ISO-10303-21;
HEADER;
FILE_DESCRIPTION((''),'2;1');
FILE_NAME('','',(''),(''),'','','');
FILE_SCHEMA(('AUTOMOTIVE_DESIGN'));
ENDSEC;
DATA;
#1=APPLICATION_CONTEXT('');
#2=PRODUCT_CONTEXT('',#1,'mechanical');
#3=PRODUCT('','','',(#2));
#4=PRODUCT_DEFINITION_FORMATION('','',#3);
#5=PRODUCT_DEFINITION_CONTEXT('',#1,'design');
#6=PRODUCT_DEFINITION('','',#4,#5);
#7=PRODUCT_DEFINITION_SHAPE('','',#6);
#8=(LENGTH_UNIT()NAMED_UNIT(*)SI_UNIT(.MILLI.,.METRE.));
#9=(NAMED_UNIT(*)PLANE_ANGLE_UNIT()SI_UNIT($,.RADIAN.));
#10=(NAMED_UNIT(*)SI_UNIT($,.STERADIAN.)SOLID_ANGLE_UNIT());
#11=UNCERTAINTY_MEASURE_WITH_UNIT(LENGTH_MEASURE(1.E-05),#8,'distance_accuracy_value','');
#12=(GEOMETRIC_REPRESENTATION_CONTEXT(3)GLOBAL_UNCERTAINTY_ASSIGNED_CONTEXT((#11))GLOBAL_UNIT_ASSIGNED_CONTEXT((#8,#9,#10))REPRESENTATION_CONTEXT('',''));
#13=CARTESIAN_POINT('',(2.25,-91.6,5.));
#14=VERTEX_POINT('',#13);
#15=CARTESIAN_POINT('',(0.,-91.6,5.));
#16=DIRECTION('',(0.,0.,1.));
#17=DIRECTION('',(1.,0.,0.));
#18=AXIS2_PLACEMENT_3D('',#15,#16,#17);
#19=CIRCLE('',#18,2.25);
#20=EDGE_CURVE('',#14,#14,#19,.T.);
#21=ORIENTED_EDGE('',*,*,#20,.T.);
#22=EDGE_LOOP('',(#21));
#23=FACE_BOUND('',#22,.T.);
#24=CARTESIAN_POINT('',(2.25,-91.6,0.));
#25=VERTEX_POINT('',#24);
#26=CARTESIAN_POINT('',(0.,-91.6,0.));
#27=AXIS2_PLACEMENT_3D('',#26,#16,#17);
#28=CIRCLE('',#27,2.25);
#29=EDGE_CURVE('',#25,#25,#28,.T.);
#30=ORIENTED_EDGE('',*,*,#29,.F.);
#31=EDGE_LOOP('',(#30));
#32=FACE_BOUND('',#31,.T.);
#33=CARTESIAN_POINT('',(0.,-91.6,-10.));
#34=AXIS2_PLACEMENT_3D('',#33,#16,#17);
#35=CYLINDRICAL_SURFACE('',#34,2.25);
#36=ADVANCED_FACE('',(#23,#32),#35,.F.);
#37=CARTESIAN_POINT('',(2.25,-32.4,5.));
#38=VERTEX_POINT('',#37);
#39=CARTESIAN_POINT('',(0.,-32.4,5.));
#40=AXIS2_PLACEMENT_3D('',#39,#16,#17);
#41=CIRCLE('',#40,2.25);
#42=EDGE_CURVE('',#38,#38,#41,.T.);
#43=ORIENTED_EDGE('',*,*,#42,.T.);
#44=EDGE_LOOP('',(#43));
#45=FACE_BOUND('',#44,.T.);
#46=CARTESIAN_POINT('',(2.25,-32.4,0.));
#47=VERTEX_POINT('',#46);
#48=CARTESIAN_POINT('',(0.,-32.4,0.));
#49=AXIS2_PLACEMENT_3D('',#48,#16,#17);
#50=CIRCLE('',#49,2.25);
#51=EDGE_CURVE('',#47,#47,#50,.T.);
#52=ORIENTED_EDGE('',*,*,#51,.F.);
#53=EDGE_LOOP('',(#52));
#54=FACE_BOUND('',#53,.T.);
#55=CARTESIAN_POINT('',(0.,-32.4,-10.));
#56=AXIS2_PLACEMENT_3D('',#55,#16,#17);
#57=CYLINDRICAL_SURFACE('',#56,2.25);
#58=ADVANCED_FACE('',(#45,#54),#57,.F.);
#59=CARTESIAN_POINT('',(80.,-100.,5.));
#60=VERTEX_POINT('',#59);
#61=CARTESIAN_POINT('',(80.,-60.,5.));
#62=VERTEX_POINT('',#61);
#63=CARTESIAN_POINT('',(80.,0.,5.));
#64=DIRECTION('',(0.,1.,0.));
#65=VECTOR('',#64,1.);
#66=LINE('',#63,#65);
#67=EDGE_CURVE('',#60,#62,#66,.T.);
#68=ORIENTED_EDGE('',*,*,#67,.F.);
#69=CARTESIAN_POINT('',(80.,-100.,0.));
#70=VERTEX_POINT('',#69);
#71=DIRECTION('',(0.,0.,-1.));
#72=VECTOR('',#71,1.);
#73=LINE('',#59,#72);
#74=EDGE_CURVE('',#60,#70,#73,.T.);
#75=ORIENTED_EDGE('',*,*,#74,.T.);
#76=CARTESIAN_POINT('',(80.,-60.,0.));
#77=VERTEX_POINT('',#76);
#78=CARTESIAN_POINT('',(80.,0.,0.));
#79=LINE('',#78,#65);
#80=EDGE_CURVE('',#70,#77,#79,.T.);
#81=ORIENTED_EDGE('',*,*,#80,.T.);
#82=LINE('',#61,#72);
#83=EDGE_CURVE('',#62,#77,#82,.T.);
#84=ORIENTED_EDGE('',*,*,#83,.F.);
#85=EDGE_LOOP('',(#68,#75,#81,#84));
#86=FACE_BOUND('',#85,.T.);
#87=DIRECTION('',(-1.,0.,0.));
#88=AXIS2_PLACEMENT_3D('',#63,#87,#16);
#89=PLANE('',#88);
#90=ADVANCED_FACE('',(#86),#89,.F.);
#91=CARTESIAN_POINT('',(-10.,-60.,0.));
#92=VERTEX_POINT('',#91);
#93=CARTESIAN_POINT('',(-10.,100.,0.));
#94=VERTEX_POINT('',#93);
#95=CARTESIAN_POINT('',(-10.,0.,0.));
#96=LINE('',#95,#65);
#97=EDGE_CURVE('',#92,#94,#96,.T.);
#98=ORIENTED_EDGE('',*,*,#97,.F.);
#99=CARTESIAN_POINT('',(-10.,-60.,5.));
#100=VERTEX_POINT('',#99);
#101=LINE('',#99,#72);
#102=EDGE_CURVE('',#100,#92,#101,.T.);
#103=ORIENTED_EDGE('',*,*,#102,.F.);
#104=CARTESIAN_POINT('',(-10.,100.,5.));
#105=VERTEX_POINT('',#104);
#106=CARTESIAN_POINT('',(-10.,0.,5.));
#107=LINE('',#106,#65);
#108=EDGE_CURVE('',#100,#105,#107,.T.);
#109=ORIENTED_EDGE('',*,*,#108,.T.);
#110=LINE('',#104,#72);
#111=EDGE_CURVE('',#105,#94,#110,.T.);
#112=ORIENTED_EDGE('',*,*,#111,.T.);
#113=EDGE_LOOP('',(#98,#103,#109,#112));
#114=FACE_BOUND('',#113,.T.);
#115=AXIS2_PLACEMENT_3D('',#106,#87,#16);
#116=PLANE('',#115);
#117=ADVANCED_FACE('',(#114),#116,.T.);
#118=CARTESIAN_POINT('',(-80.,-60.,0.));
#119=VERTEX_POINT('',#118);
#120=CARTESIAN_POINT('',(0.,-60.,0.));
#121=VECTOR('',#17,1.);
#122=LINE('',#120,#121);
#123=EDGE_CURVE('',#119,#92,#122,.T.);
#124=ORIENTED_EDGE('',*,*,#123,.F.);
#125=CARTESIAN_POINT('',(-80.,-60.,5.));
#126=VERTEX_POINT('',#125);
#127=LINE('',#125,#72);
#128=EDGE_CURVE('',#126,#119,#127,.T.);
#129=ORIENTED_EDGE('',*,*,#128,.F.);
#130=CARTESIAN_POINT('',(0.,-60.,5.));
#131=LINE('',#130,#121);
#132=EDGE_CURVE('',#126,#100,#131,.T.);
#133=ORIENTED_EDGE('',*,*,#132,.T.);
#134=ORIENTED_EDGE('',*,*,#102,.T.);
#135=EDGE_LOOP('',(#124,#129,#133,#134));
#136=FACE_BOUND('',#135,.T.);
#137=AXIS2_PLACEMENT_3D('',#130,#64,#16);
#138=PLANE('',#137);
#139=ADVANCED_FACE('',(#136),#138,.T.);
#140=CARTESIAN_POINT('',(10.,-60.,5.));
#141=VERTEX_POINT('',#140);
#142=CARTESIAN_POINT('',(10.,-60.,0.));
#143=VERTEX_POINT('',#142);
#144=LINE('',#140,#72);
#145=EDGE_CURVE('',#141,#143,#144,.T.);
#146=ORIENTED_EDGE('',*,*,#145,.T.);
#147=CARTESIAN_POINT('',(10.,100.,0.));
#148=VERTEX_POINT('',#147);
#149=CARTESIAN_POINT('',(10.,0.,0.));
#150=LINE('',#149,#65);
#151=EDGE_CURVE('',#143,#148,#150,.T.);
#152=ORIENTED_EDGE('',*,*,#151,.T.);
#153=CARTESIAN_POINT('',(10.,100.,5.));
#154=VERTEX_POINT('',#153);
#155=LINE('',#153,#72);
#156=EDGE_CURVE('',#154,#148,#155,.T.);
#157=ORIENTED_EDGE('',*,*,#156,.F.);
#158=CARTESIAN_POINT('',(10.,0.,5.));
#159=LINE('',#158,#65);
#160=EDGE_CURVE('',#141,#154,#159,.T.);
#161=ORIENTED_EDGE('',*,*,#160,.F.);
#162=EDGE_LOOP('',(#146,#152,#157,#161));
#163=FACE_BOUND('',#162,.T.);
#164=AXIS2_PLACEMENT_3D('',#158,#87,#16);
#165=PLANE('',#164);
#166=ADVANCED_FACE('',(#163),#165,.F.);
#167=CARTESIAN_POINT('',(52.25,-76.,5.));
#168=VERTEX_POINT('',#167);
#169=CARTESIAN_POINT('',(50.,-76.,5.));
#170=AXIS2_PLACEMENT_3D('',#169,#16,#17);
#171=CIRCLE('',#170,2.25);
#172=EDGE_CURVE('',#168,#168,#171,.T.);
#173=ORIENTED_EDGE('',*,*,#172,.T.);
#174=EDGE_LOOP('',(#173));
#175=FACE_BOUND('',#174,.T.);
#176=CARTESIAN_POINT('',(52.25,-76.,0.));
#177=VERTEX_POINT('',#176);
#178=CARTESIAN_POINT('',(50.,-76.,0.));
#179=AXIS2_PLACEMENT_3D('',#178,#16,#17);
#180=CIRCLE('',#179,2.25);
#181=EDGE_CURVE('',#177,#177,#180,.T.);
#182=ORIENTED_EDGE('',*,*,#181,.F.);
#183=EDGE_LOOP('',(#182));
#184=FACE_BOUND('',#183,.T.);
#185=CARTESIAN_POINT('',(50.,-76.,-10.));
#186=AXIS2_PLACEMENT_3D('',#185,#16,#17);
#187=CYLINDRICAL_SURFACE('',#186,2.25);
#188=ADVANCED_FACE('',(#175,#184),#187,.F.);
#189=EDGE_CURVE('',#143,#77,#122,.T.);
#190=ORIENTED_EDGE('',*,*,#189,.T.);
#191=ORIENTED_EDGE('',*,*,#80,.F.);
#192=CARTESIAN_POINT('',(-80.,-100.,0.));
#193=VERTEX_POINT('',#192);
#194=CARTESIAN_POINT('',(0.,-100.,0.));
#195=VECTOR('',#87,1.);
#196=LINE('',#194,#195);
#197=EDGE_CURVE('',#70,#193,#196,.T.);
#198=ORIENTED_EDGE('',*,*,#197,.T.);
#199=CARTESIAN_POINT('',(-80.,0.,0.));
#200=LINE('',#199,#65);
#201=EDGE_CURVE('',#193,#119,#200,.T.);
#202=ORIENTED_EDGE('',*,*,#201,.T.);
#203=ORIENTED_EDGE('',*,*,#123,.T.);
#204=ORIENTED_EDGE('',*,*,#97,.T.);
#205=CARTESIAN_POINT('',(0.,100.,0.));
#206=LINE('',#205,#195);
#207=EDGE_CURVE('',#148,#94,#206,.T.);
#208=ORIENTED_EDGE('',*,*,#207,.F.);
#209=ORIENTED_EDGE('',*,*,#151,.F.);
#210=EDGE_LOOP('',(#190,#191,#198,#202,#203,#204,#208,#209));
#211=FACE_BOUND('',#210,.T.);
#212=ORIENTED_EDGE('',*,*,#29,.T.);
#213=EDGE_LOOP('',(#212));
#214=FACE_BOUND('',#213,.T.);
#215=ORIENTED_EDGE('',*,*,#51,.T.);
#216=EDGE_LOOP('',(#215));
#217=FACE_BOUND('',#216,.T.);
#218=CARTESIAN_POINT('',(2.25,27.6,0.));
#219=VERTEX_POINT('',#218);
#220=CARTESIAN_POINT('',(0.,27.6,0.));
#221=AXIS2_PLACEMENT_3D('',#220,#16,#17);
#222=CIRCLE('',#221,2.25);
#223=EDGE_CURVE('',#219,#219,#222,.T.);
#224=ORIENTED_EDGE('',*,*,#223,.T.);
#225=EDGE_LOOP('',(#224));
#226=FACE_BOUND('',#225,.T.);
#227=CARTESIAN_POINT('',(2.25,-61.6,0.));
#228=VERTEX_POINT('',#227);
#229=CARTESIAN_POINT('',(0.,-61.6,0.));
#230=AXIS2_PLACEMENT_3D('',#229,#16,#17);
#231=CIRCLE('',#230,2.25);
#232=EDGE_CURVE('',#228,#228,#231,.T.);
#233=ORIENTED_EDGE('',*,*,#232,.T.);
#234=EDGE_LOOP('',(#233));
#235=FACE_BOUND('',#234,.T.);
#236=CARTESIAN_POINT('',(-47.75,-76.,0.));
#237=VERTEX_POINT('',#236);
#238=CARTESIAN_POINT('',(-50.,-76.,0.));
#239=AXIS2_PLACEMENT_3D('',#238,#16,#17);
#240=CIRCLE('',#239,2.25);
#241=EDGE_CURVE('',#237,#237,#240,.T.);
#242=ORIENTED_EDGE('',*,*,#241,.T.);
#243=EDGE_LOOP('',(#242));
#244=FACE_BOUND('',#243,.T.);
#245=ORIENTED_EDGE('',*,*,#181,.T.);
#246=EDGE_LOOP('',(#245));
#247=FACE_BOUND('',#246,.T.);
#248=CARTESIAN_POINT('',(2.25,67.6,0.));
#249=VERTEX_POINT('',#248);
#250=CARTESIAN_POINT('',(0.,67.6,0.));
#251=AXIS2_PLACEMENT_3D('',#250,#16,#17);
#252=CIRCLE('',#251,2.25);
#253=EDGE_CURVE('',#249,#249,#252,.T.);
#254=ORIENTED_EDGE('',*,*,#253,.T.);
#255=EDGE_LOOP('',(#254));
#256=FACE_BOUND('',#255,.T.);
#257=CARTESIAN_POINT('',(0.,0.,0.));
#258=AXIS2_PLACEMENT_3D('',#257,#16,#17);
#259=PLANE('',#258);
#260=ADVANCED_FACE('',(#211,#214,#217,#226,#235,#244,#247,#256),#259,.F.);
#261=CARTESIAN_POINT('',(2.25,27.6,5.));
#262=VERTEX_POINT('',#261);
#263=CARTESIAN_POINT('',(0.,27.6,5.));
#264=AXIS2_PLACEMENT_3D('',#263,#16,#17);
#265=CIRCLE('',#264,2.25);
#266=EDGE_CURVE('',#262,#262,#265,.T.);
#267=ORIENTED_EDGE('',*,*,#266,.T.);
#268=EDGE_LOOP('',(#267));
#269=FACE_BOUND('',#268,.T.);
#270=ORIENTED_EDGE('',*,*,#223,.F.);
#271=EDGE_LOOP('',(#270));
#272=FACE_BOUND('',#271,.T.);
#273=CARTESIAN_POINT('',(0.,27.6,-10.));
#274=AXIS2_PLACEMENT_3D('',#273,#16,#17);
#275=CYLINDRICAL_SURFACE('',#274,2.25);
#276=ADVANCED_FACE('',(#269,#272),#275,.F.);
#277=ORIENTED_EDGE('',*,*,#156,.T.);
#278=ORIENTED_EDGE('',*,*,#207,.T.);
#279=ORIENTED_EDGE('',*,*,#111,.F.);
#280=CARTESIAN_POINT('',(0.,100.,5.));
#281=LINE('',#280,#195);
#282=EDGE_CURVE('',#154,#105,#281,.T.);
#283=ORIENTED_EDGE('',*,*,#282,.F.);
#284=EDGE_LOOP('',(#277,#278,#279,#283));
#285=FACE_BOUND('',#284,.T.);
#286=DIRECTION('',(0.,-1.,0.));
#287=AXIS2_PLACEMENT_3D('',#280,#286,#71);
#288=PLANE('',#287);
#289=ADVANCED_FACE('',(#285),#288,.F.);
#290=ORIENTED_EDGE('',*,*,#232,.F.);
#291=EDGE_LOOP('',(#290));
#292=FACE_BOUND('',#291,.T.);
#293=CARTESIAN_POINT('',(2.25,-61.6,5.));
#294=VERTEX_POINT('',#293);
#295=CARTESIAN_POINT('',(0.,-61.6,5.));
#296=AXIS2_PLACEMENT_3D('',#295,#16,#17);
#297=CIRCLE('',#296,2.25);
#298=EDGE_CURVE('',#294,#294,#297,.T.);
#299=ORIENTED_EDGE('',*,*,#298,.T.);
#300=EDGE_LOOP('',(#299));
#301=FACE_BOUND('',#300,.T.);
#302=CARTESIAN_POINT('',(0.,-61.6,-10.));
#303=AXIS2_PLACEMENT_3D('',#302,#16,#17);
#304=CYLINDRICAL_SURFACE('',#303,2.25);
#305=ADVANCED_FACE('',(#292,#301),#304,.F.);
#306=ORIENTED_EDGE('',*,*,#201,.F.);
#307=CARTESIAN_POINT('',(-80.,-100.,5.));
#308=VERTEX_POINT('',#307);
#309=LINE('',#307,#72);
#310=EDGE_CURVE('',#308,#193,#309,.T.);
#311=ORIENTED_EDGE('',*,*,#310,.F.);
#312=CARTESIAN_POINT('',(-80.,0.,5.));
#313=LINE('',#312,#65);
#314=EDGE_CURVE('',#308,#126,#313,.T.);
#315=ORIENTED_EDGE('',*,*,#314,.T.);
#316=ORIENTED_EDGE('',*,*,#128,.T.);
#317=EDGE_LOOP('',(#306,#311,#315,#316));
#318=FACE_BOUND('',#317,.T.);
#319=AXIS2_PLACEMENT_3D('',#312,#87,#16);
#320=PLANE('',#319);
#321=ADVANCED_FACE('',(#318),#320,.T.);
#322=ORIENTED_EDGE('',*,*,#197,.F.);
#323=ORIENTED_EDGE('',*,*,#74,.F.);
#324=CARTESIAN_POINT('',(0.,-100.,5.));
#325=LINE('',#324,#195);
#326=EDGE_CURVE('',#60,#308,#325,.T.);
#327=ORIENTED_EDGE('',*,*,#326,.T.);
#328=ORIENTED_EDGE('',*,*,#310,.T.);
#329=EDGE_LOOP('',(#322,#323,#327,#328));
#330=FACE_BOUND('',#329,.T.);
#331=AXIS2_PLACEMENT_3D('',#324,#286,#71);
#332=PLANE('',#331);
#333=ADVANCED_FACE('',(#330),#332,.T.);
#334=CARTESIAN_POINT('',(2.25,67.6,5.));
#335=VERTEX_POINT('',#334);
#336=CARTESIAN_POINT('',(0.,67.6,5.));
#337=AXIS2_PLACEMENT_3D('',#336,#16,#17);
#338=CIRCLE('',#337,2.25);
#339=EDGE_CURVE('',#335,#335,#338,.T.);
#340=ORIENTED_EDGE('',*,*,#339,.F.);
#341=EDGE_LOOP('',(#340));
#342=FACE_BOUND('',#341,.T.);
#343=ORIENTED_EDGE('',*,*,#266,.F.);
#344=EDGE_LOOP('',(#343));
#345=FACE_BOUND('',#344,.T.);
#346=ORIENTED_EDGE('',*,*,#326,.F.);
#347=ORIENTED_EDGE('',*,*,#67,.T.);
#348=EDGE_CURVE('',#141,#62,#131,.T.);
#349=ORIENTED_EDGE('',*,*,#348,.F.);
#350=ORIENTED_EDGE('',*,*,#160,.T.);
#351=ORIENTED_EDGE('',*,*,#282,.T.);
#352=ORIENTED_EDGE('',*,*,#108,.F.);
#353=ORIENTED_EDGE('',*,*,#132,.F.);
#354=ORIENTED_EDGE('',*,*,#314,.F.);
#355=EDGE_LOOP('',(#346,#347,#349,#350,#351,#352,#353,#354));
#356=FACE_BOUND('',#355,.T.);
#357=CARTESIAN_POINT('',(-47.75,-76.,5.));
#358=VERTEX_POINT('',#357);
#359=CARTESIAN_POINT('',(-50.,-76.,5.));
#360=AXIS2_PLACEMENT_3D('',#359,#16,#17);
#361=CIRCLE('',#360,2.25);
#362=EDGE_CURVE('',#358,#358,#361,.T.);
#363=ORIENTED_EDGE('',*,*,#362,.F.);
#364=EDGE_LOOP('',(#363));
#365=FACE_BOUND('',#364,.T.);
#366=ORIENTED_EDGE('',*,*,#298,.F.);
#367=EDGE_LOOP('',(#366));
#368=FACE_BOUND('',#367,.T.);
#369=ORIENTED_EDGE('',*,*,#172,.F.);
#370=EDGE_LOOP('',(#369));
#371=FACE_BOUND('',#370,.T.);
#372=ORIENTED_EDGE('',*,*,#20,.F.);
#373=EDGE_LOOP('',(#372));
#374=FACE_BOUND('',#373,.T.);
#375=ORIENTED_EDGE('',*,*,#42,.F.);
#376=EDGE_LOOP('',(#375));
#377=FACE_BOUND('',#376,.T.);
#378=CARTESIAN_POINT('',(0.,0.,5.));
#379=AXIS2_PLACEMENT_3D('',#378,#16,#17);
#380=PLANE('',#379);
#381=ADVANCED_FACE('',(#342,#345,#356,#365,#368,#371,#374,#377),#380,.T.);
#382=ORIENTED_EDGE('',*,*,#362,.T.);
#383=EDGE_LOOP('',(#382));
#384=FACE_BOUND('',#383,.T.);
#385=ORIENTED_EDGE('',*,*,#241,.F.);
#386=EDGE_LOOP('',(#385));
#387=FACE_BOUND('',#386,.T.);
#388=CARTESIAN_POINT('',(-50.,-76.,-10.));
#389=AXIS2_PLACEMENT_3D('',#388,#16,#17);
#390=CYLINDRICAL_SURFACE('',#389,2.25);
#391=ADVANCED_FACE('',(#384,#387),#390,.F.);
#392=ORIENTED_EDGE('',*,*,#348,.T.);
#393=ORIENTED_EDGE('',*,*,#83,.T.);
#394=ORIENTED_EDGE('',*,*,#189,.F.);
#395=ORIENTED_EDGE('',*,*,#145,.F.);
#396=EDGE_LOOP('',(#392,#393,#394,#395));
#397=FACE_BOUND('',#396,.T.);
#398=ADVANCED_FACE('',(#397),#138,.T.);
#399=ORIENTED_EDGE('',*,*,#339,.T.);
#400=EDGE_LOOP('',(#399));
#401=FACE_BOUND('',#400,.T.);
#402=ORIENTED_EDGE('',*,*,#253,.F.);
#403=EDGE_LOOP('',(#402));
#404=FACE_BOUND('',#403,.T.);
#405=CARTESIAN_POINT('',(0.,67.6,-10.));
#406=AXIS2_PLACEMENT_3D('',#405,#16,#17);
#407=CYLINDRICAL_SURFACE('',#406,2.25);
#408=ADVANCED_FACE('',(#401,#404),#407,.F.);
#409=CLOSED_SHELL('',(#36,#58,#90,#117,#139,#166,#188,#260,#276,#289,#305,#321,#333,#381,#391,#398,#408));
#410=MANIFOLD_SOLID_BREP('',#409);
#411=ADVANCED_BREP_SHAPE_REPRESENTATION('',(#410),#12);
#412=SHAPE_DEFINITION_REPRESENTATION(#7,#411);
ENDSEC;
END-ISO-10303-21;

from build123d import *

# Parameters (mm, degrees)
SKETCH1_W           = 20
SKETCH1_H           = 160
SKETCH1_H_2         = 40
SKETCH1_W_2         = 70
BOSS_EXTRUDE1_DEPTH = 5
SKETCH2_R           = 2.25
CUT_EXTRUDE1_DEPTH  = 15


with BuildPart() as part:
    # Sketch1 → Boss-Extrude1 (new body)
    with BuildSketch(Plane.XY):
        with Locations((0, 20)):
            Rectangle(SKETCH1_W, SKETCH1_H)
        with Locations((0, -80)):
            Rectangle(SKETCH1_W, SKETCH1_H_2)
        with Locations((-45, -80)):
            Rectangle(SKETCH1_W_2, SKETCH1_H_2)
        with Locations((45, -80)):
            Rectangle(SKETCH1_W_2, SKETCH1_H_2)
    extrude(amount=BOSS_EXTRUDE1_DEPTH)

    # Sketch2 → Cut-Extrude1 (cut)
    with BuildSketch(Plane.XY.offset(5)):
        with Locations((0, -91.6)):
            Circle(SKETCH2_R)
        with Locations((-50, -76)):
            Circle(SKETCH2_R)
        with Locations((50, -76)):
            Circle(SKETCH2_R)
        with Locations((0, 27.6)):
            Circle(SKETCH2_R)
        with Locations((0, 67.6)):
            Circle(SKETCH2_R)
        with Locations((0, -32.4)):
            Circle(SKETCH2_R)
        with Locations((0, -61.6)):
            Circle(SKETCH2_R)
    extrude(amount=-CUT_EXTRUDE1_DEPTH, mode=Mode.SUBTRACT)


solid = part.part
